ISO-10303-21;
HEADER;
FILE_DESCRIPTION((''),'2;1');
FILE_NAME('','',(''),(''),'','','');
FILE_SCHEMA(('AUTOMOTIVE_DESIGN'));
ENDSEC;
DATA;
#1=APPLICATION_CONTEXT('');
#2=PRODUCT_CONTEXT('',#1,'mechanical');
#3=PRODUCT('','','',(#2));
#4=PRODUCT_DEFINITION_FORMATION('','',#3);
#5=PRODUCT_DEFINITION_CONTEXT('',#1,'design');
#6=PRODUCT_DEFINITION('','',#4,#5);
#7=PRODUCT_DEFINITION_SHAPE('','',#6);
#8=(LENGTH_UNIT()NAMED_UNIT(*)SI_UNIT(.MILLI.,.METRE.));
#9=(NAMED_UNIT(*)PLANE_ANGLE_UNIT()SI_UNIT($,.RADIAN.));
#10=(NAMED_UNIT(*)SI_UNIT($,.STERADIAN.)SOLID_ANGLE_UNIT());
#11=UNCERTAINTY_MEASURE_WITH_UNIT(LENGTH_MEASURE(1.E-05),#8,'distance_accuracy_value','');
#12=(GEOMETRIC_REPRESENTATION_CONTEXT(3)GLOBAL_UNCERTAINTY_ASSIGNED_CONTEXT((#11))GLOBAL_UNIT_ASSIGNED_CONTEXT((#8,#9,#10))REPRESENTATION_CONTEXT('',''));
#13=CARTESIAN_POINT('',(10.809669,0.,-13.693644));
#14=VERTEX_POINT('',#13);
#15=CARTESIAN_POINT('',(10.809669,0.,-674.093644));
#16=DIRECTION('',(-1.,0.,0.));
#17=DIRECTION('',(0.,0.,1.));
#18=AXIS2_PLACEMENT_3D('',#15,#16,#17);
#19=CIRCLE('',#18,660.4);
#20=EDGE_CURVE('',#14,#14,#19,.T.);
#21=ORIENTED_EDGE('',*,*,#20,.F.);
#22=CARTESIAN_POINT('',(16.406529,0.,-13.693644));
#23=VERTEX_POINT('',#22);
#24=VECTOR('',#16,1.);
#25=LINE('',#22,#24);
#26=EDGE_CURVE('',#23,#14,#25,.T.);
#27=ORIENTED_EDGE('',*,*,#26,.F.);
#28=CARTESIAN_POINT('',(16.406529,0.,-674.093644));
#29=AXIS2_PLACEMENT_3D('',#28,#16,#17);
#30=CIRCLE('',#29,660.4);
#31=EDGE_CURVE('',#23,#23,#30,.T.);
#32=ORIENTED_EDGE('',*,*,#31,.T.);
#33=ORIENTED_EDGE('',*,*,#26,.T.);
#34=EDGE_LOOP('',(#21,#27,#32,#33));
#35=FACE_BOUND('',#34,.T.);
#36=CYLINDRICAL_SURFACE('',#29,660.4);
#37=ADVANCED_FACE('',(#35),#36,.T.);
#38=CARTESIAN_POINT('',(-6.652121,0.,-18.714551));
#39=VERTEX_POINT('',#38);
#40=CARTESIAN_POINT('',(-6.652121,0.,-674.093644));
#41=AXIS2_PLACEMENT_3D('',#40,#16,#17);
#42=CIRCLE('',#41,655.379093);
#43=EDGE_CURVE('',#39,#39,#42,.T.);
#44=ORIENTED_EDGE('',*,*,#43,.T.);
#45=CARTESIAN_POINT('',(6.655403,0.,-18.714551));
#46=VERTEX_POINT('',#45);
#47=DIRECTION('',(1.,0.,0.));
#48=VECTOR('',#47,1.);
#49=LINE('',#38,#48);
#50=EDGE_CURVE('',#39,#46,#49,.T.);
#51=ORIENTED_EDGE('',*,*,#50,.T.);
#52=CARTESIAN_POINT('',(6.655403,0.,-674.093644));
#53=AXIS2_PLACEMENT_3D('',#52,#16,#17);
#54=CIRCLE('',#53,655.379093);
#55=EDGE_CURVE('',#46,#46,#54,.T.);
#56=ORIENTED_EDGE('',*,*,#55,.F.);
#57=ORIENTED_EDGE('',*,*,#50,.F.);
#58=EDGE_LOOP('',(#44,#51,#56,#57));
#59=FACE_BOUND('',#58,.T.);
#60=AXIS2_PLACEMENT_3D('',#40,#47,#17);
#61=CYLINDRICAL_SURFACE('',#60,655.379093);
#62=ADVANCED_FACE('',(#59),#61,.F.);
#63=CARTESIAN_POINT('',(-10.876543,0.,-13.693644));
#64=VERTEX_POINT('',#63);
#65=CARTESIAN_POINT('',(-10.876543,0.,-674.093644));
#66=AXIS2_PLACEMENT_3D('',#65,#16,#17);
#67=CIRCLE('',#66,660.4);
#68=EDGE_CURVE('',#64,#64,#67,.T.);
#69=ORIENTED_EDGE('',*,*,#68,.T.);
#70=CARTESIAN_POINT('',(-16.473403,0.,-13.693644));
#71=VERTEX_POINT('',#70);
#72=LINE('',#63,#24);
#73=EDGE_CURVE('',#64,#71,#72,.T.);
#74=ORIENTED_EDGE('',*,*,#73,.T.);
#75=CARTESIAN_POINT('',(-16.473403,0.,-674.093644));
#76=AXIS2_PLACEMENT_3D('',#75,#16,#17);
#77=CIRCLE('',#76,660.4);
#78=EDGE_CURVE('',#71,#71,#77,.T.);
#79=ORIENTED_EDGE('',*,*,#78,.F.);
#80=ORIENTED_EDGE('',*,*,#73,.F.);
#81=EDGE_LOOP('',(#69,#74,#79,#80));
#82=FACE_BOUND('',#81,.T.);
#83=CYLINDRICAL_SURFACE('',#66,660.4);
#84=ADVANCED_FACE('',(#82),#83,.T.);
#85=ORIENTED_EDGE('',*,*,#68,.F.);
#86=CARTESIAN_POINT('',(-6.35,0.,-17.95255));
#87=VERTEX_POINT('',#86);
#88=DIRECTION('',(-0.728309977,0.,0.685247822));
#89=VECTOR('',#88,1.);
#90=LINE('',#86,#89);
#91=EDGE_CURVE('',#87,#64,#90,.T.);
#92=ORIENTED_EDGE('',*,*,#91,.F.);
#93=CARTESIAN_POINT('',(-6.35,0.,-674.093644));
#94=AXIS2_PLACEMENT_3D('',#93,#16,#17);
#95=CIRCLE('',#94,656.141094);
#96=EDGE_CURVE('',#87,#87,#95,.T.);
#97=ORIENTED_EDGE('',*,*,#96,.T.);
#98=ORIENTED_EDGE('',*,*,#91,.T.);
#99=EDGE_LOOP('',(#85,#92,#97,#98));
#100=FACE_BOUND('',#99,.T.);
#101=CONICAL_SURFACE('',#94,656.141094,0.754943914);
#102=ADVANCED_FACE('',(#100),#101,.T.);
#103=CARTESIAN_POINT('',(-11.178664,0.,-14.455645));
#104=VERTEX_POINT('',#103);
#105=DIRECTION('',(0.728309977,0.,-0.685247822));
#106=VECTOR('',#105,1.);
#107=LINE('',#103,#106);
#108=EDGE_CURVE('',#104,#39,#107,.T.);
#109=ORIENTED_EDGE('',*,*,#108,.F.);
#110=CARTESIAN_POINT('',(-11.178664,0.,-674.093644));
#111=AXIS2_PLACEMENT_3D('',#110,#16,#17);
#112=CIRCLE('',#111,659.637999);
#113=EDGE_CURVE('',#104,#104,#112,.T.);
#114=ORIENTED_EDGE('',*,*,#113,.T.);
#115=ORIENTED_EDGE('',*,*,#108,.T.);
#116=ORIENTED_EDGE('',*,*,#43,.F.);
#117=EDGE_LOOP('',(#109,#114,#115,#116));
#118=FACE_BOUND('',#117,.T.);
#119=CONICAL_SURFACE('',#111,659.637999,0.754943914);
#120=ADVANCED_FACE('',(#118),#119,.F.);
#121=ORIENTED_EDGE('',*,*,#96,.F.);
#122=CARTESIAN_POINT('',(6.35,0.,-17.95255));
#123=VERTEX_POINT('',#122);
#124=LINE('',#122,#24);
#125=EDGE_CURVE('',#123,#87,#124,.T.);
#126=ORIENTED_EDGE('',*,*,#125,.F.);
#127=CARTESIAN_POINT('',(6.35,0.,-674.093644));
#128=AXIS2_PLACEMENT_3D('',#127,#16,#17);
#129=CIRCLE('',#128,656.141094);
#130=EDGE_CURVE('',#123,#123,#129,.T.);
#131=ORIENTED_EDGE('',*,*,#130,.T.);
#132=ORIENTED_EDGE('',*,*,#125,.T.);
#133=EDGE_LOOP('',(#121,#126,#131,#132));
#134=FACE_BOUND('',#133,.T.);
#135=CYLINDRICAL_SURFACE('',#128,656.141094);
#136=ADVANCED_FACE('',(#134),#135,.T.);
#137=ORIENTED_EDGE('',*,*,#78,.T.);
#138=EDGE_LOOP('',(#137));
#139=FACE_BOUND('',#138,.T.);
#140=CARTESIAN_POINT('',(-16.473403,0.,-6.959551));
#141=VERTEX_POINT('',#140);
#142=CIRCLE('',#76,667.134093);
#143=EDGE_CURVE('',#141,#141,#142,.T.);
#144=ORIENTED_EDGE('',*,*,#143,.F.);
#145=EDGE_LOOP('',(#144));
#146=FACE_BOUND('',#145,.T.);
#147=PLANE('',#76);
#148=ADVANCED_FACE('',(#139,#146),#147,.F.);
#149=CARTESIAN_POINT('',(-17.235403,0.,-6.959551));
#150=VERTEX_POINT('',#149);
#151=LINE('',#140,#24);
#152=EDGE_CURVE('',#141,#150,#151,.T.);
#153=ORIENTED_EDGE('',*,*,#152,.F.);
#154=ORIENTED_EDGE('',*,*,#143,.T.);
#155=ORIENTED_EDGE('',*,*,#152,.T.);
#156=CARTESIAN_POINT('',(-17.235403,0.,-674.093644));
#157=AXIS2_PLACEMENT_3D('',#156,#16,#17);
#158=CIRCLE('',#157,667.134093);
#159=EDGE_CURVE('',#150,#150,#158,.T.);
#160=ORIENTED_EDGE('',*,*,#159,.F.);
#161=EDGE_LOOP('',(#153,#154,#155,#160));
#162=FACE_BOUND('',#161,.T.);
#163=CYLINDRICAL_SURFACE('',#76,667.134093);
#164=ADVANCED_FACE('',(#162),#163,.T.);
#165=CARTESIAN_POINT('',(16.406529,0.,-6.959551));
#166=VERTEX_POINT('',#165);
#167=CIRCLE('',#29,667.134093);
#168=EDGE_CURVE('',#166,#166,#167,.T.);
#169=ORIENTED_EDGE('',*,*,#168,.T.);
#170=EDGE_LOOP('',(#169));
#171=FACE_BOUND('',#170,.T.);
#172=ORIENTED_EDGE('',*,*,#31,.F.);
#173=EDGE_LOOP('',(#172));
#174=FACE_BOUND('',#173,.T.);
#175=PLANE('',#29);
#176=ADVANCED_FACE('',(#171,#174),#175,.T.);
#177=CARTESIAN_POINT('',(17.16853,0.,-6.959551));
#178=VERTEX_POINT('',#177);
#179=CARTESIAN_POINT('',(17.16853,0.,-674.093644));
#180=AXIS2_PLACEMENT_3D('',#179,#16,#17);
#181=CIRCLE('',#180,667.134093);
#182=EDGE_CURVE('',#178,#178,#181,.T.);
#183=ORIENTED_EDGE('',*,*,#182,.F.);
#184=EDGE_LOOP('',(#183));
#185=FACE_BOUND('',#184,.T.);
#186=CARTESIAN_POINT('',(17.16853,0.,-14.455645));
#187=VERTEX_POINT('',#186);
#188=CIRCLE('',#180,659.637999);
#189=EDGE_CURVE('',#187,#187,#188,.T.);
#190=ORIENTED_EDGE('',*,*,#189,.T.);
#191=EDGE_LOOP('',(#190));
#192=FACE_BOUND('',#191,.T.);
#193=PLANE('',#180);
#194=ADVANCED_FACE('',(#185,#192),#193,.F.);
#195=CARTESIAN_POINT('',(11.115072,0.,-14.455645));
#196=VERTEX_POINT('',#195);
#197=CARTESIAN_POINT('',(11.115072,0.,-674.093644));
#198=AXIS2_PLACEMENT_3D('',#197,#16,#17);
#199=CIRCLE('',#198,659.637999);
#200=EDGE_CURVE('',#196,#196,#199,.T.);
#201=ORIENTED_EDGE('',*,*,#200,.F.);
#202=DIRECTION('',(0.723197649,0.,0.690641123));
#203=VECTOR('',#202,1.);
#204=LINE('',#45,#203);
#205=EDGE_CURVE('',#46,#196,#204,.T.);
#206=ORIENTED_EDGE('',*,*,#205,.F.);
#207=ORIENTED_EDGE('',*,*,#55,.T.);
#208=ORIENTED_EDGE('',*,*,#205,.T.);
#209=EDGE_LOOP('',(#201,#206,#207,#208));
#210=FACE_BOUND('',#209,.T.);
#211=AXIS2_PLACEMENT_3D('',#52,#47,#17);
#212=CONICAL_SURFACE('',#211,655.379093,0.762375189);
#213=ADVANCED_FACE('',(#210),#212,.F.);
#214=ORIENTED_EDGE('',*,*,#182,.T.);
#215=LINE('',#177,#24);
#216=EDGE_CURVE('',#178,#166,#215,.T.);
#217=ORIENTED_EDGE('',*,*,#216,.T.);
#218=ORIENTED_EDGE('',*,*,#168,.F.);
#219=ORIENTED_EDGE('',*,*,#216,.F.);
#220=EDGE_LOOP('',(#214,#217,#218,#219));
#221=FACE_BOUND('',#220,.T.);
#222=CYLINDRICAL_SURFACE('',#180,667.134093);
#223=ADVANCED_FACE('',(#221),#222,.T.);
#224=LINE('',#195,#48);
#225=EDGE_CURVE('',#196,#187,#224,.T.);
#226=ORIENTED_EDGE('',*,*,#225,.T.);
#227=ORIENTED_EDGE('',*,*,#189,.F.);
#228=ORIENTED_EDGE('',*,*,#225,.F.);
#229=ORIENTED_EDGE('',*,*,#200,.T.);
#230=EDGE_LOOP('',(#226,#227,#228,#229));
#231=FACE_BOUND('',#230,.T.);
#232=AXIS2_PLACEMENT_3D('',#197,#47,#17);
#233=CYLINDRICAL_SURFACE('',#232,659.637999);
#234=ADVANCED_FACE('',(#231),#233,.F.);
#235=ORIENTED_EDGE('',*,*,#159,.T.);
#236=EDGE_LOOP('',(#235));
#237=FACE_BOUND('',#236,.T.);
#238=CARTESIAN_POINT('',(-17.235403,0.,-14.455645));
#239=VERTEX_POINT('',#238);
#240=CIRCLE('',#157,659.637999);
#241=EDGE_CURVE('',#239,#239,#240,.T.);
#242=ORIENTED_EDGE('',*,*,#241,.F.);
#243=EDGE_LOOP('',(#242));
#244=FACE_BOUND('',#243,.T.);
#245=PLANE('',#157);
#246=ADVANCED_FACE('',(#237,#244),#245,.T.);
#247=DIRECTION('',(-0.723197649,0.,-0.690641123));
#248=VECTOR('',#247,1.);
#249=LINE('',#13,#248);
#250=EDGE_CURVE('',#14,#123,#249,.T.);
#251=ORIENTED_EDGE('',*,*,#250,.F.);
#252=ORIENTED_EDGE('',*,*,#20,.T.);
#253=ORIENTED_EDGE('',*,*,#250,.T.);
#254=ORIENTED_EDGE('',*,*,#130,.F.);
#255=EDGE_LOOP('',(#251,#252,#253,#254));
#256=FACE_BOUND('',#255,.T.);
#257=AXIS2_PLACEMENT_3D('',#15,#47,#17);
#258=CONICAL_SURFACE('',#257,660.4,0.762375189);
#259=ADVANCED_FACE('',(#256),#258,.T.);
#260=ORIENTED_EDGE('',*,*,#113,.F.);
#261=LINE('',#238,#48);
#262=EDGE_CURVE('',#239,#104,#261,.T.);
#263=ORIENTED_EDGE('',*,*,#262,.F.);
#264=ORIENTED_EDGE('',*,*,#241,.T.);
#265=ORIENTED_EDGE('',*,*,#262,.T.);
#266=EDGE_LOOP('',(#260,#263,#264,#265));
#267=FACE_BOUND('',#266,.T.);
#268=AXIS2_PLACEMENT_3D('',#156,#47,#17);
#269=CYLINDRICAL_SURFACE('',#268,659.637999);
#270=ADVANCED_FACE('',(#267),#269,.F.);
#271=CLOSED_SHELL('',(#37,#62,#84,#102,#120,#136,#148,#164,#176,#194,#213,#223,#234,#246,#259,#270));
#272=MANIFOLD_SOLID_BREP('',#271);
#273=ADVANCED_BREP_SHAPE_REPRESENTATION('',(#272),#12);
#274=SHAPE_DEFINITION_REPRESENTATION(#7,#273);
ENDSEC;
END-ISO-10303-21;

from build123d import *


with BuildPart() as f3:
    # F1 (on Front) → F3 (revolve)
    with BuildSketch(Plane.XZ):
        Polygon((-16.473403, -13.693644), (-16.473403, -6.959551), (-17.235403, -6.959551), (-17.235403, -14.455645), (-11.178664, -14.455645), (-6.652121, -18.714551), (6.655403, -18.714551), (11.115072, -14.455645), (17.16853, -14.455645), (17.16853, -6.959551), (16.406529, -6.959551), (16.406529, -13.693644), (10.809669, -13.693644), (6.35, -17.95255), (-6.35, -17.95255), (-10.876543, -13.693644), align=None)
    revolve(axis=Axis((-7.759148, 0, -674.093644), (-1, 0, 0)))


solid = f3.part
